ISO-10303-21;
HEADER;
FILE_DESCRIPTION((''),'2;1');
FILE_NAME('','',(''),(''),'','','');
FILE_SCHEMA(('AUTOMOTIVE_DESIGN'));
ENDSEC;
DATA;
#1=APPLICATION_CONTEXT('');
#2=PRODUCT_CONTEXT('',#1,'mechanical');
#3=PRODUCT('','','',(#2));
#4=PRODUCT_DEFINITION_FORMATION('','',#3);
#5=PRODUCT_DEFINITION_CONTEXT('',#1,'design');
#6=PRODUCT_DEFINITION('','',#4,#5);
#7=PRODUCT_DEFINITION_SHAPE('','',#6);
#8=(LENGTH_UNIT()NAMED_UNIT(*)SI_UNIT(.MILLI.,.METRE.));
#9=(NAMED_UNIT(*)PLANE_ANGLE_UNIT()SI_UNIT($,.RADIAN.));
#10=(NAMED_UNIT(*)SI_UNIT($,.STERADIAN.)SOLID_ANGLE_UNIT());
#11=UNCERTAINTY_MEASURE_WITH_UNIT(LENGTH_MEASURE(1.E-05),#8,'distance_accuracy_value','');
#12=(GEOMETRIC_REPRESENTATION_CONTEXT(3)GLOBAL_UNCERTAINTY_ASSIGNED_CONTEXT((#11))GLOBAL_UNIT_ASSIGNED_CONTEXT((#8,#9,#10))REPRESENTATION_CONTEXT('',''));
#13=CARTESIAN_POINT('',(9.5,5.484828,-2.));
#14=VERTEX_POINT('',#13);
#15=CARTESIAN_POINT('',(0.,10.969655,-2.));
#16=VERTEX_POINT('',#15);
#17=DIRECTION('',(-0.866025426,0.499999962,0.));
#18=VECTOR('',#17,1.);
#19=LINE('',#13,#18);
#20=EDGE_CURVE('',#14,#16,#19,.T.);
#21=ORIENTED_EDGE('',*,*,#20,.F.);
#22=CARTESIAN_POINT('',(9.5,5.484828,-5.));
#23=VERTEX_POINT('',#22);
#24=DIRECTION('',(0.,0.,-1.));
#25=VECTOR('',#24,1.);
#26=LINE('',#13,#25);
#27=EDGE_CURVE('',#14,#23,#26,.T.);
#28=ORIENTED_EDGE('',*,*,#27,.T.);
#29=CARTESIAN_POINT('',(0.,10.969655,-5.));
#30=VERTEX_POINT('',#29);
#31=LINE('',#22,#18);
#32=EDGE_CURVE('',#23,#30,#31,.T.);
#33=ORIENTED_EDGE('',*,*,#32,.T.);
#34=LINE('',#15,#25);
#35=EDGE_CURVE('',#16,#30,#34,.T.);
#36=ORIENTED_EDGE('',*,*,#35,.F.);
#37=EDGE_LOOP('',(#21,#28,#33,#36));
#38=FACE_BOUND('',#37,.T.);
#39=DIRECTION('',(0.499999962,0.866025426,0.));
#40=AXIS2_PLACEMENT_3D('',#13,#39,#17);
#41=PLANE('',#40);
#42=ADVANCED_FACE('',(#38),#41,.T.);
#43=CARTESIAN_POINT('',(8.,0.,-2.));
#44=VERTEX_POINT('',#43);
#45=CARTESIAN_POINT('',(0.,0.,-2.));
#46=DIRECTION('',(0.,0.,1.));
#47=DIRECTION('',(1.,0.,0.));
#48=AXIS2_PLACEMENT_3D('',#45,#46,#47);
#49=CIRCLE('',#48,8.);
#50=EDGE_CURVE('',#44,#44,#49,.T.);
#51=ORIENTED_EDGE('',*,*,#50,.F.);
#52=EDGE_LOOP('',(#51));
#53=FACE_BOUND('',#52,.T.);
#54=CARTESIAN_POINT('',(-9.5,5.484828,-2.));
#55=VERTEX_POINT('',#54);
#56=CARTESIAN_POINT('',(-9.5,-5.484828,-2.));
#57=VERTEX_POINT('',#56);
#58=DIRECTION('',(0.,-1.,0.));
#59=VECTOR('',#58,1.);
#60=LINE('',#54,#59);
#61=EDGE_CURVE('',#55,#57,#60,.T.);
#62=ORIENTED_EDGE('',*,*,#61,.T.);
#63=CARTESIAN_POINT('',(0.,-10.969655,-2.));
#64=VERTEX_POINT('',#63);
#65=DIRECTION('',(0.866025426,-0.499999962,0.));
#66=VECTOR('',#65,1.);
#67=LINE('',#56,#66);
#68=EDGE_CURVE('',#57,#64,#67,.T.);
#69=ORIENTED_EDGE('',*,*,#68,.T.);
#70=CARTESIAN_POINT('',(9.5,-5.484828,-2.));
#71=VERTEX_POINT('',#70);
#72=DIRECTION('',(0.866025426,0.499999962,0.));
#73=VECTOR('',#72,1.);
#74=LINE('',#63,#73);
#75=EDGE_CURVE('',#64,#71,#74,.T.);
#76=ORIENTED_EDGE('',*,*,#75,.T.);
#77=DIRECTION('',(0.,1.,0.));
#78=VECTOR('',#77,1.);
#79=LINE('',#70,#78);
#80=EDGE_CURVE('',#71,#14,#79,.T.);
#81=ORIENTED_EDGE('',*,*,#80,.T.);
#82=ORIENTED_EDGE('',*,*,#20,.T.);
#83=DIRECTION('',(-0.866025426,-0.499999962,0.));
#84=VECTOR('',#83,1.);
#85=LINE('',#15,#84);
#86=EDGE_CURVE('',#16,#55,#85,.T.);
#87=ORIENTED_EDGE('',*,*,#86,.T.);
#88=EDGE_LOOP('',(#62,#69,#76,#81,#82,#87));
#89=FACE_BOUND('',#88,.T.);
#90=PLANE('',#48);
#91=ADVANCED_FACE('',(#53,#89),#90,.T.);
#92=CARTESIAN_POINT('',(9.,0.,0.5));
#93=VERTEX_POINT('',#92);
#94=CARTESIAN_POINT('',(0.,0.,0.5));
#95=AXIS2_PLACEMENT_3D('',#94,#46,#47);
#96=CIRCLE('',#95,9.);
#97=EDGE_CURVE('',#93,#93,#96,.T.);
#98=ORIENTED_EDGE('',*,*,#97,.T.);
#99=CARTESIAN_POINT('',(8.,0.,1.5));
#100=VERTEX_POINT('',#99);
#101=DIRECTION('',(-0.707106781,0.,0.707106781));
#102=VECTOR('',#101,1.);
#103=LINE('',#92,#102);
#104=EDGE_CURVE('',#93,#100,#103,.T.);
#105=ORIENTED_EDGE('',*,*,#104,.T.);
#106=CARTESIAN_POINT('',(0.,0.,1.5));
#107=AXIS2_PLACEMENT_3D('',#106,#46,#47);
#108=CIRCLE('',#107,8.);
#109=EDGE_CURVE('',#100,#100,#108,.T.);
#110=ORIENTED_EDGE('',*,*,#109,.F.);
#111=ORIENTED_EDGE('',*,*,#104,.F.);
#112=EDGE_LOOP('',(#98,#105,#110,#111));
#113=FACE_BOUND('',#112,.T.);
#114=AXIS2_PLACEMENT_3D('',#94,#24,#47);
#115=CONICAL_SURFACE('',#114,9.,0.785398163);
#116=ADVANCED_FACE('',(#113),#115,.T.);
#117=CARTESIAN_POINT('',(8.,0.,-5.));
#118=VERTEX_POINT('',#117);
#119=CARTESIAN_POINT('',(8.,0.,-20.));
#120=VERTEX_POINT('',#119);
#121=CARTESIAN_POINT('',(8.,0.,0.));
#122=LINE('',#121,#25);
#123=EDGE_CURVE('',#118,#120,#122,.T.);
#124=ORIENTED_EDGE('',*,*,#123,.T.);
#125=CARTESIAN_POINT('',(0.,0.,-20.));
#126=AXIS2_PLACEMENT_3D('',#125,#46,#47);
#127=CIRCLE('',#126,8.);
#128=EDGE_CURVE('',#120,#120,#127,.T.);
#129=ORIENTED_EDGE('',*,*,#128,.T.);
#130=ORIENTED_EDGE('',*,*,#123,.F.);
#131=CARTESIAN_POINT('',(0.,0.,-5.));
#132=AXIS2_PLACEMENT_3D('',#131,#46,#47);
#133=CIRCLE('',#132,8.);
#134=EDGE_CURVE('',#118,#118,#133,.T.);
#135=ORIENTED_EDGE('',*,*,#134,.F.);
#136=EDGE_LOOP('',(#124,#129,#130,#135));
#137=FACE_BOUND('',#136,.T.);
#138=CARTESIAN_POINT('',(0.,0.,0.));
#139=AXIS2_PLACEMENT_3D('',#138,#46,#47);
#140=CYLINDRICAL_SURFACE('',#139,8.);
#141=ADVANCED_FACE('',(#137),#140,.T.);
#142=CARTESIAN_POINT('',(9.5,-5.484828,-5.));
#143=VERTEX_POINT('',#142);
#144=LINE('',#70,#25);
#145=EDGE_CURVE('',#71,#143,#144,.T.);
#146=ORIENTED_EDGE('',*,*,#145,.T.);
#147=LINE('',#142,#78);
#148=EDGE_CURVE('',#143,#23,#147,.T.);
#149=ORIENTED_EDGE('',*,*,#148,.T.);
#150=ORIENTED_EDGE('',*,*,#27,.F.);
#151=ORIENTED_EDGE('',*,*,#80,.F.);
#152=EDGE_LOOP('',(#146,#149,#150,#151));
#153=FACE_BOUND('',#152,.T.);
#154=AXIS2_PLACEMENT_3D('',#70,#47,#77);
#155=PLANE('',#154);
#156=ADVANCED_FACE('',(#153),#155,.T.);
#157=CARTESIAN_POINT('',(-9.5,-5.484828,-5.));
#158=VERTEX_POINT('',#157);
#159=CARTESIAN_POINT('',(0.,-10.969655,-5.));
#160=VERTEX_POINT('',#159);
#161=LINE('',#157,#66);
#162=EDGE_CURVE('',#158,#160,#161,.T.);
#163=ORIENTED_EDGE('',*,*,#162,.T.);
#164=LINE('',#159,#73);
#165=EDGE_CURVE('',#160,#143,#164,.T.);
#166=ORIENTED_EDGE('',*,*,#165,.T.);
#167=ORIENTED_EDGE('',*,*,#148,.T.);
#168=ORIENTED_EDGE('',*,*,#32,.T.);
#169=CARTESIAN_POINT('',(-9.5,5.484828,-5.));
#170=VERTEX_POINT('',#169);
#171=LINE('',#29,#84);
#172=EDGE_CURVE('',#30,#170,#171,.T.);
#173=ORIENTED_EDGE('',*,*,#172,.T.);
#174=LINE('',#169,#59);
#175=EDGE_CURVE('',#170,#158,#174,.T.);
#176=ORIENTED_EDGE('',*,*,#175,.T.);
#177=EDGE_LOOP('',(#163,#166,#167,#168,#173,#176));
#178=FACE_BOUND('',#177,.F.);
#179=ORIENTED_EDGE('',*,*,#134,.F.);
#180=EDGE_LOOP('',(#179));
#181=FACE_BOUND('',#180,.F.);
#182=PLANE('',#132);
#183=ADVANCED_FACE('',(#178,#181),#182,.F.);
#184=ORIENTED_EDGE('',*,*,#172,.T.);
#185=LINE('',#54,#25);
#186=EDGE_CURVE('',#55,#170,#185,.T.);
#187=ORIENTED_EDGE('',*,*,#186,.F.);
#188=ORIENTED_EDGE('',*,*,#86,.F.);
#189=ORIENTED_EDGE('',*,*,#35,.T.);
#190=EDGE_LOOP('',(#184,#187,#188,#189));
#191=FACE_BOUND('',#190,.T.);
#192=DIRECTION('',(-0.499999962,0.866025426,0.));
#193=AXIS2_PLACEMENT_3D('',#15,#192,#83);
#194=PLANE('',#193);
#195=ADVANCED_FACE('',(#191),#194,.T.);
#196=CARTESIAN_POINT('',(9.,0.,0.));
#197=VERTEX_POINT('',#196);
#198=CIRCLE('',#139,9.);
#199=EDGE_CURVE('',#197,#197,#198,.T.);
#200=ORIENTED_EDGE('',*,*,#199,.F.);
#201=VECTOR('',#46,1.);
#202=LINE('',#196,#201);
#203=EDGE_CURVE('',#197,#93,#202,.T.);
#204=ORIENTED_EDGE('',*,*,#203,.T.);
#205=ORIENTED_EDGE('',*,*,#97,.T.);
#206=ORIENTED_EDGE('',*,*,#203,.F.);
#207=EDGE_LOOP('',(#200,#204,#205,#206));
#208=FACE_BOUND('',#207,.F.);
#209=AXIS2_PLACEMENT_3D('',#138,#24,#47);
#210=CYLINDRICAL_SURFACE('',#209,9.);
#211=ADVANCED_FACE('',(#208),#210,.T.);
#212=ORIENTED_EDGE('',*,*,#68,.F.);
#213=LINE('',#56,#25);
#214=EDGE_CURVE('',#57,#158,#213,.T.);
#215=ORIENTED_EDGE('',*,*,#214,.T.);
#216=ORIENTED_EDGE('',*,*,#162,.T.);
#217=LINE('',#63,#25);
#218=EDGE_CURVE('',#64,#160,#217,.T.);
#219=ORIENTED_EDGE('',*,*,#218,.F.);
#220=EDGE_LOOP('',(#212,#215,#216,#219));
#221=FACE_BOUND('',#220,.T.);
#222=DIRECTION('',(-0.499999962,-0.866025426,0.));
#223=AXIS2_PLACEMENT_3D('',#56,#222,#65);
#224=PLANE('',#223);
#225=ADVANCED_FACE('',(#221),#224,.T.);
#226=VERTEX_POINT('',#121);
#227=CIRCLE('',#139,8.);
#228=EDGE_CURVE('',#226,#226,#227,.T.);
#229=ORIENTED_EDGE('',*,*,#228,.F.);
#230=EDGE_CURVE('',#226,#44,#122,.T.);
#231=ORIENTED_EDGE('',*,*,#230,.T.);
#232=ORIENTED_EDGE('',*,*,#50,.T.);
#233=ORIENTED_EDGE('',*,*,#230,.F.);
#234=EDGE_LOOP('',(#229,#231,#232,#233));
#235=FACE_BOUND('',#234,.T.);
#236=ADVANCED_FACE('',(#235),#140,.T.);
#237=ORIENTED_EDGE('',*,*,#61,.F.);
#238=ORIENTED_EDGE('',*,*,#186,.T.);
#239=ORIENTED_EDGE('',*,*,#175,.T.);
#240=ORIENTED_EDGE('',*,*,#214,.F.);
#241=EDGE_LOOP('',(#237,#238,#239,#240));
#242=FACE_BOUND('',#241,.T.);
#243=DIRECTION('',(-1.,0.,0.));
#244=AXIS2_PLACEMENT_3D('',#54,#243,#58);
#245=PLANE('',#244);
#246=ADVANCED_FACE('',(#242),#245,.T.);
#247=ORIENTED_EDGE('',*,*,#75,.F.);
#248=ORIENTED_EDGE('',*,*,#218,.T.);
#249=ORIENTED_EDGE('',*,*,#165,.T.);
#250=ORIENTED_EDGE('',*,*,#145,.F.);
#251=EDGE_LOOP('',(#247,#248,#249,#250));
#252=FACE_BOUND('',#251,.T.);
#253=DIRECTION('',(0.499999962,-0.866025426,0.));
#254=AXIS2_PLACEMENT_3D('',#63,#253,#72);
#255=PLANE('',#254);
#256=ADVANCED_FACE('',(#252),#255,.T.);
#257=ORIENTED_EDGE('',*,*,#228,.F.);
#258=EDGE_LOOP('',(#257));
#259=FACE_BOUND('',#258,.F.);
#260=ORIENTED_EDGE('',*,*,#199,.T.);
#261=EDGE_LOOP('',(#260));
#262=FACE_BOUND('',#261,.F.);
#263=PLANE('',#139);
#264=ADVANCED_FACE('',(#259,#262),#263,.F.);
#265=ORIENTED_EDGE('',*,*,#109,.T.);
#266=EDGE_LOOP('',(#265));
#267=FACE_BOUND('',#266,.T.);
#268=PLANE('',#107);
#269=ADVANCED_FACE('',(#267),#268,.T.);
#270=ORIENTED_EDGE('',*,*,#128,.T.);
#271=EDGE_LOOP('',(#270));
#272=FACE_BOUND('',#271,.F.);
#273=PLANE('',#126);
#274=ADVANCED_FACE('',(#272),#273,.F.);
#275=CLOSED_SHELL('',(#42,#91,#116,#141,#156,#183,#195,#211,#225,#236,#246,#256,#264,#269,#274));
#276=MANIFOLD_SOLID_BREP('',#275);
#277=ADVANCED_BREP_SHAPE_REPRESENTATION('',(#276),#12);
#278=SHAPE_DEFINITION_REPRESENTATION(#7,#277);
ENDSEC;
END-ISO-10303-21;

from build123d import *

# Parameters (mm, degrees)
F0_R     = 8
F1_DEPTH = 20
F0_R_2   = 9
F2_DEPTH = 1.5
F3_SIZE  = 1
F6_DEPTH = 3


with BuildPart() as f1:
    # F0 (on Top) → F1 (new body)
    with BuildSketch(Plane.XY):
        Circle(F0_R)
    extrude(amount=-F1_DEPTH)

    # F0 (on Top) → F2 (join)
    with BuildSketch(Plane.XY):
        Circle(F0_R_2)
        Circle(F0_R, mode=Mode.SUBTRACT)
        Circle(F0_R)
    extrude(amount=F2_DEPTH)

    # F3
    f3_edges = [f1.edges().sort_by_distance(p)[0] for p in [
        (-9, 0, 1.5),
    ]]
    chamfer(f3_edges, length=F3_SIZE)

    # F5 (on offset) → F6 (join)
    with BuildSketch(Plane.XY.offset(-2)):
        Polygon((9.5, 5.484828), (0, 10.969655), (-9.5, 5.484828), (-9.5, -5.484828), (0, -10.969655), (9.5, -5.484828), align=None)
    extrude(amount=-F6_DEPTH)


solid = f1.part
